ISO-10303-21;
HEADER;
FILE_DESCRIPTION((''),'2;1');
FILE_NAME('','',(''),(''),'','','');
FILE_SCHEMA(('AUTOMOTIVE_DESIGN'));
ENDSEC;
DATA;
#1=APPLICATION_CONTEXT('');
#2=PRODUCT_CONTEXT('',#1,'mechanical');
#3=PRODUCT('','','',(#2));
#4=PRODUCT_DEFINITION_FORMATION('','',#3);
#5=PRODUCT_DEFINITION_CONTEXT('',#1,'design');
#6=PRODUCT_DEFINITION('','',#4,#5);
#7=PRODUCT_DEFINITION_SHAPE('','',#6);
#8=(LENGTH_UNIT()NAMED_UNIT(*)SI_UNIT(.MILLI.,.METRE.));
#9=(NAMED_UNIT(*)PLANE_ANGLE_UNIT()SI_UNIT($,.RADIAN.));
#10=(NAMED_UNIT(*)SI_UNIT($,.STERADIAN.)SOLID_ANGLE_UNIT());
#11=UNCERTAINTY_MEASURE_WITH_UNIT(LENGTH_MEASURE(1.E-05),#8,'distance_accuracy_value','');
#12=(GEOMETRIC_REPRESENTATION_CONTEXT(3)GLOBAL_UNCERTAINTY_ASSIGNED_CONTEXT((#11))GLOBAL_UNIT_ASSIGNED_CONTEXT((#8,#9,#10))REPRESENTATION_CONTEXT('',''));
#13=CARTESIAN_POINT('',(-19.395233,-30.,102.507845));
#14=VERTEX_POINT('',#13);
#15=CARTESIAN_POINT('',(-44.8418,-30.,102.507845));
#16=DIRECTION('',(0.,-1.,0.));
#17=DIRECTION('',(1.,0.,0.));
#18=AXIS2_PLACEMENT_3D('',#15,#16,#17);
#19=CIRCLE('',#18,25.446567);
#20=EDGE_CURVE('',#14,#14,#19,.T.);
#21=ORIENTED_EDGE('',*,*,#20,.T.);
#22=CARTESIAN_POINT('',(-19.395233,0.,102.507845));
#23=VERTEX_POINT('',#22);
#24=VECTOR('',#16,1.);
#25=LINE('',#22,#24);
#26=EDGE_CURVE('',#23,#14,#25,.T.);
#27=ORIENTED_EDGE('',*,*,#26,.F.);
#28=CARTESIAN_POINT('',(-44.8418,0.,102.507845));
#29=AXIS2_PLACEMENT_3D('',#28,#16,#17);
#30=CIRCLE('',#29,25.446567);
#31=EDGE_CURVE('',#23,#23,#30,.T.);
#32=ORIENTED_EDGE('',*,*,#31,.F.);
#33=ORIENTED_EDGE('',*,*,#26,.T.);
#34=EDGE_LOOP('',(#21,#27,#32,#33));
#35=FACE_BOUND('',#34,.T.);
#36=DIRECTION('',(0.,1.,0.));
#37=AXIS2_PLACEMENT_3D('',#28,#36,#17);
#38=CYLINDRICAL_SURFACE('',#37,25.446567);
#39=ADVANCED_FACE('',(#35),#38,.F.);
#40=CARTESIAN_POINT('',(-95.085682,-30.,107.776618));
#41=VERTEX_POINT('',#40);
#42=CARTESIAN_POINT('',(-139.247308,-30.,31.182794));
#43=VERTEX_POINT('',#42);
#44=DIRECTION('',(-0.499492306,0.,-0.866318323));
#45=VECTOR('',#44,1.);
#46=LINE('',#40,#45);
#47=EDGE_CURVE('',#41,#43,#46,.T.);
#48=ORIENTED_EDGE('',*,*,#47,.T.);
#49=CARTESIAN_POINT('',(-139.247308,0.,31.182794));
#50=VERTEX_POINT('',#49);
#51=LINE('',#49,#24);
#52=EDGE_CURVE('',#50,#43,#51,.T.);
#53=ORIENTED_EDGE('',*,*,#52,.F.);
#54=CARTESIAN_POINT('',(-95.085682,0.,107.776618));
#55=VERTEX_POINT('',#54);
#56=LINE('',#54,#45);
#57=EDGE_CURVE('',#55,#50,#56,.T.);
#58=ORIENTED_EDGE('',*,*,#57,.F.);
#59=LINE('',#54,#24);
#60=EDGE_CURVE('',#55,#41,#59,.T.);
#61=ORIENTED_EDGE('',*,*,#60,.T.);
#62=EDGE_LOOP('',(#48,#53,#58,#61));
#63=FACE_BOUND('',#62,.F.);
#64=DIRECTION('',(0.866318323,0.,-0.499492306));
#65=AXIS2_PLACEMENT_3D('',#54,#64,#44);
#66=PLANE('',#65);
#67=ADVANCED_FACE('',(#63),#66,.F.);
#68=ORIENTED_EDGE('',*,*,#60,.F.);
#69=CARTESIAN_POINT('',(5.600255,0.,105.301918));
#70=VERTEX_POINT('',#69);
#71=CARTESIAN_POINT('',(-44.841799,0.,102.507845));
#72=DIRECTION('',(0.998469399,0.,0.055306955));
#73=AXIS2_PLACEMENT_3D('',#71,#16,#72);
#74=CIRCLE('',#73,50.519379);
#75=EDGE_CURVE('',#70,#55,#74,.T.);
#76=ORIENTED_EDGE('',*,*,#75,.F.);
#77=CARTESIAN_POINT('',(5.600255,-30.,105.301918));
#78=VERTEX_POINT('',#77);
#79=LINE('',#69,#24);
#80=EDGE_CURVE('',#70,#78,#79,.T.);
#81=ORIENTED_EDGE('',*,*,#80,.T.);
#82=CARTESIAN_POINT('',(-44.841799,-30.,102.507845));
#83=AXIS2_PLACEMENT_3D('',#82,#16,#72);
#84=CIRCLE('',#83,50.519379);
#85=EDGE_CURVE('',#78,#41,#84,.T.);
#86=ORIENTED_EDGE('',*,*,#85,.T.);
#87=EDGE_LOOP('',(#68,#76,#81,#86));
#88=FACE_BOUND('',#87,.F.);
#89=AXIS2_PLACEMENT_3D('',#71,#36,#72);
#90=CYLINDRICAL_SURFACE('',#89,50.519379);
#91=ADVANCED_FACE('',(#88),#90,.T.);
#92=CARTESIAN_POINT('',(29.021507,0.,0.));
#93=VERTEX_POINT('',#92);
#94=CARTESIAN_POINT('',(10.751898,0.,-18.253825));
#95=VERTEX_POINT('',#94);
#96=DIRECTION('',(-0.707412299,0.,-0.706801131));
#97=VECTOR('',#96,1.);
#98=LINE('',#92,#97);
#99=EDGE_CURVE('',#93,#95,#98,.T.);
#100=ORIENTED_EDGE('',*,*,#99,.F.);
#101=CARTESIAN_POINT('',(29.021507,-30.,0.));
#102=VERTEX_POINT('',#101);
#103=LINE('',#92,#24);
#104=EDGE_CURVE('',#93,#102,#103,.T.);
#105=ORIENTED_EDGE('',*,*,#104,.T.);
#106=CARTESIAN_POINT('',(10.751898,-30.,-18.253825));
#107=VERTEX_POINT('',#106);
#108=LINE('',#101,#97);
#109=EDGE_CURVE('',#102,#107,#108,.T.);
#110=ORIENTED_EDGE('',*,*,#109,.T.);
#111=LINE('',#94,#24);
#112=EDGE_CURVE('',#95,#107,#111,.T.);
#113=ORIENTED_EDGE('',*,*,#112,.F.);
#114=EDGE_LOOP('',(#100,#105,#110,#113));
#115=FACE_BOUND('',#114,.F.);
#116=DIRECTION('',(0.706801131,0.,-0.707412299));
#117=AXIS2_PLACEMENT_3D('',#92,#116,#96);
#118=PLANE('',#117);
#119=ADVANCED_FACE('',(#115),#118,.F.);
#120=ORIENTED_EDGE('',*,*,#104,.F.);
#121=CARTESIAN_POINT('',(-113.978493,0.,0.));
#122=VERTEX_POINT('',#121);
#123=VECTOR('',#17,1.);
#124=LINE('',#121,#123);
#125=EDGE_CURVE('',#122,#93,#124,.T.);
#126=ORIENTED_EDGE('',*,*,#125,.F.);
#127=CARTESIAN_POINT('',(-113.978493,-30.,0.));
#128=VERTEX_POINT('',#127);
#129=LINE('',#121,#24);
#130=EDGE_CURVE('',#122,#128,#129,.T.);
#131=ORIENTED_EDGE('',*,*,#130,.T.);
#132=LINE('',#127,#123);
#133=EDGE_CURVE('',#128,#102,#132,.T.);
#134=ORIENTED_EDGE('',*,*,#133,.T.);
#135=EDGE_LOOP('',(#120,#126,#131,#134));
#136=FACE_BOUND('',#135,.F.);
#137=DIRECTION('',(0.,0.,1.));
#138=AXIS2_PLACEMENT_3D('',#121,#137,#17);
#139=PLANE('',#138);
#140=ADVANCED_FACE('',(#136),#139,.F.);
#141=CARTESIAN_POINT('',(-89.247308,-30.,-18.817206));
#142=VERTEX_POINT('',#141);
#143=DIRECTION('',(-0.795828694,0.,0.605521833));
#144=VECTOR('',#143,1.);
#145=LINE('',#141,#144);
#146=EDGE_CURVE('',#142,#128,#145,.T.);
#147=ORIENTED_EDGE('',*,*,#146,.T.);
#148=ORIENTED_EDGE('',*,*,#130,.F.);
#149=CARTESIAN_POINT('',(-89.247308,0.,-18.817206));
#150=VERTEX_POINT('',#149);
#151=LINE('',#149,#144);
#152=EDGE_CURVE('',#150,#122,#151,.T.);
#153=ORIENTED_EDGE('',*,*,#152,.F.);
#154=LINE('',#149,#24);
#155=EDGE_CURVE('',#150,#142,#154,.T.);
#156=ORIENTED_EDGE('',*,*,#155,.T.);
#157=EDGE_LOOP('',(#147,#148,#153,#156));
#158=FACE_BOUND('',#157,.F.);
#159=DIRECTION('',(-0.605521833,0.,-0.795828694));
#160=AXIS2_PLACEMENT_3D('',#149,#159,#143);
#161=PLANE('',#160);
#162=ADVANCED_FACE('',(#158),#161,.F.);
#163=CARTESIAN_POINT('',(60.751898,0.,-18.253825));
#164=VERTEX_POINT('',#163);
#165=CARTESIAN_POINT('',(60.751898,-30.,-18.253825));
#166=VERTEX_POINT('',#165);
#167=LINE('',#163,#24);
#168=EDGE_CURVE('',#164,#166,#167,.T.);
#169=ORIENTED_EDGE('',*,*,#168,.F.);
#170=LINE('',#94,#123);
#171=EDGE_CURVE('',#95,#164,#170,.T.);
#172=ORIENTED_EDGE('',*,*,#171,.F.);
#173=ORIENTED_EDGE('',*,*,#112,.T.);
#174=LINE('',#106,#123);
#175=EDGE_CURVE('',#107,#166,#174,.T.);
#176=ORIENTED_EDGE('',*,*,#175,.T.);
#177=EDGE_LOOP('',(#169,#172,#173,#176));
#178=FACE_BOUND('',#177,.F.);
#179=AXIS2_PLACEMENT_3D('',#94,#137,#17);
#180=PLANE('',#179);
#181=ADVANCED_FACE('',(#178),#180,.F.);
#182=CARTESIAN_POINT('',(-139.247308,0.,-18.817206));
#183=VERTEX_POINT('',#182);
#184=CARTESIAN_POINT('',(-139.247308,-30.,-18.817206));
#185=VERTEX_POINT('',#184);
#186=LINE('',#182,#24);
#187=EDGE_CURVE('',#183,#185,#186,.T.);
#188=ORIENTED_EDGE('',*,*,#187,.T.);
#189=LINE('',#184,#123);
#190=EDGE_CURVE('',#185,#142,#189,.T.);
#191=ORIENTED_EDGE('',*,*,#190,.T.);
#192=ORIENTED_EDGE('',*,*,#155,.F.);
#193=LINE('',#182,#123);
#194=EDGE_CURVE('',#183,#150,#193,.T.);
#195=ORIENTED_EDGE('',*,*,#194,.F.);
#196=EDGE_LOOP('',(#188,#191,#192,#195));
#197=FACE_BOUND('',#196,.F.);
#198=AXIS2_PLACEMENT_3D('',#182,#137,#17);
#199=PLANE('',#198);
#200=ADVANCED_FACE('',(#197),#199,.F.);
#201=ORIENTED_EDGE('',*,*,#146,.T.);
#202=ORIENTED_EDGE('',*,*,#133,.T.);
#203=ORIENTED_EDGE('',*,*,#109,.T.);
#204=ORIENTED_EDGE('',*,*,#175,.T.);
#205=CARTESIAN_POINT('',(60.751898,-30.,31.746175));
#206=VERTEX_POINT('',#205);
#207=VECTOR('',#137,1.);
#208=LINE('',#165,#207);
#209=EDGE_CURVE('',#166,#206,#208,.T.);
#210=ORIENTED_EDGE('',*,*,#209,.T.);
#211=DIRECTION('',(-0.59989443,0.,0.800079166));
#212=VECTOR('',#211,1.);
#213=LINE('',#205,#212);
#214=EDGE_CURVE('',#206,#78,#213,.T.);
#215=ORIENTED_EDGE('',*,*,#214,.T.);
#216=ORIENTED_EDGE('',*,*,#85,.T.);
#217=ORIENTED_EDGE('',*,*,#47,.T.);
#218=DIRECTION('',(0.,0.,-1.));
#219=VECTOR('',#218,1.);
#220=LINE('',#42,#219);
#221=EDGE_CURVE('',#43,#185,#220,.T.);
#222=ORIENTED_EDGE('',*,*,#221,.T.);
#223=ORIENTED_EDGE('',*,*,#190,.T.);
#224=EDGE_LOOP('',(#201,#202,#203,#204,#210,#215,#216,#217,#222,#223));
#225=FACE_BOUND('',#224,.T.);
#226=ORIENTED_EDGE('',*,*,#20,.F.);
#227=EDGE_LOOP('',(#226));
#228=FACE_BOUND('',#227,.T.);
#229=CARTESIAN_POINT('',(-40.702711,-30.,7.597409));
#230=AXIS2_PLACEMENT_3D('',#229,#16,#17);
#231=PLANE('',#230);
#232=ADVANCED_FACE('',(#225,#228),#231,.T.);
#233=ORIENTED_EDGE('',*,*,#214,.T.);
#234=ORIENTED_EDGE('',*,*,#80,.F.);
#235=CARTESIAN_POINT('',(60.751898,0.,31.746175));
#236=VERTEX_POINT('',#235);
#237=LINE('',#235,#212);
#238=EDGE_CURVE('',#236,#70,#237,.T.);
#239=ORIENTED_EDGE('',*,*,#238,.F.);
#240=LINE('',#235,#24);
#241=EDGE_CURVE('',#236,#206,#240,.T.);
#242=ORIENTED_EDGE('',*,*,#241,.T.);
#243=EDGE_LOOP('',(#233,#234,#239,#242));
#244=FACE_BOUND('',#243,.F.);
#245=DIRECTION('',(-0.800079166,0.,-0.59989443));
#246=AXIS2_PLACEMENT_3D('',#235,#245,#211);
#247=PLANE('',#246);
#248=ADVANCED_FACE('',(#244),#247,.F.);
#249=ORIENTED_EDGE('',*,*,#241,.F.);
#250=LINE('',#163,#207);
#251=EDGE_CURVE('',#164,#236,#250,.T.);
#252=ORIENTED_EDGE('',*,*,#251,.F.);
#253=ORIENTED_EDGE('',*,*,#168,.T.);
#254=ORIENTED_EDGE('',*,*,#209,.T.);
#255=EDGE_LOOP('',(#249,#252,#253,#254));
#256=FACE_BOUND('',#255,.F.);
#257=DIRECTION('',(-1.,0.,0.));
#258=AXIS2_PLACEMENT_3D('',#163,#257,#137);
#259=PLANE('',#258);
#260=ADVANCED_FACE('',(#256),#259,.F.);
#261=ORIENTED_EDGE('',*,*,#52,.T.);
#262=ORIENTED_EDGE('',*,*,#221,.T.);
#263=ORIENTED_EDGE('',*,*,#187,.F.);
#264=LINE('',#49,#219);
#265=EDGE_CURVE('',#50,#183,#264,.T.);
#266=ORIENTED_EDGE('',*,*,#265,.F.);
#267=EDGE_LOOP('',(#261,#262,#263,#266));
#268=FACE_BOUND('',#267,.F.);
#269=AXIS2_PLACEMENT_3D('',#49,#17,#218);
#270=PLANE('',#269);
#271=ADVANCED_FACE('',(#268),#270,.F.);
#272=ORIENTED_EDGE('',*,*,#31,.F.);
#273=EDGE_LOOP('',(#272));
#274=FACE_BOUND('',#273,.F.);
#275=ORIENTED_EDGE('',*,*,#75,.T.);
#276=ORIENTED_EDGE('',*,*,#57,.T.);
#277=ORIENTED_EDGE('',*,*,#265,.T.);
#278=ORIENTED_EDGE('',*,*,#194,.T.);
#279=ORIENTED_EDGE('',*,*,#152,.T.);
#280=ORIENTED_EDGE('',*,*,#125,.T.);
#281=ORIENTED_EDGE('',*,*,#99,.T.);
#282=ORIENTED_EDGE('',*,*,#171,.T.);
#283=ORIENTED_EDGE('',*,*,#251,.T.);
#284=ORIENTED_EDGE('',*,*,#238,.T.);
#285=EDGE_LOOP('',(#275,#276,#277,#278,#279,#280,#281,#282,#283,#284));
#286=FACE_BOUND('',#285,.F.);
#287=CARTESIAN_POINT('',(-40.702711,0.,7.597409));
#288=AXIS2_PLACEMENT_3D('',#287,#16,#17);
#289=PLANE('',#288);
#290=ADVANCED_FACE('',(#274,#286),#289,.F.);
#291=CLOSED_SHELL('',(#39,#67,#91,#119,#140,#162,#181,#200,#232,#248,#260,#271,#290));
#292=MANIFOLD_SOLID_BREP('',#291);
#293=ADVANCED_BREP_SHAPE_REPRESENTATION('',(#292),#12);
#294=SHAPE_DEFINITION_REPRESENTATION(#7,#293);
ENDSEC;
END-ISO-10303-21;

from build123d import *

# Parameters (mm, degrees)
F0_R     = 25.446567
F1_DEPTH = 30


with BuildPart() as f1:
    # F0 (on Front) → F1 (new body)
    with BuildSketch(Plane.XZ):
        Polygon((60.751898, 31.746175), (-139.247308, 31.182794), (-139.247308, -18.817206), (-89.247308, -18.817206), (-113.978493, 0), (29.021507, 0), (10.751898, -18.253825), (60.751898, -18.253825), align=None)
        with BuildLine():
            Line((-95.085682, 107.776618), (-139.247308, 31.182794))
            Line((-139.247308, 31.182794), (60.751898, 31.746175))
            Line((60.751898, 31.746175), (5.600255, 105.301918))
            ThreePointArc((5.600255, 105.301918), (5.658245, 103.905416), (5.67758, 102.507845))
            ThreePointArc((5.67758, 102.507845), (-47.479786, 52.057386), (-95.085682, 107.776618))
        make_face()
        with BuildLine():
            ThreePointArc((5.600255, 105.301918), (-43.600489, 153.011972), (-95.085682, 107.776618))
            ThreePointArc((-95.085682, 107.776618), (-47.479786, 52.057386), (5.67758, 102.507845))
            ThreePointArc((5.67758, 102.507845), (5.658245, 103.905416), (5.600255, 105.301918))
        make_face()
        with Locations((-44.8418, 102.507845)):
            Circle(F0_R, mode=Mode.SUBTRACT)
    extrude(amount=F1_DEPTH)


solid = f1.part
